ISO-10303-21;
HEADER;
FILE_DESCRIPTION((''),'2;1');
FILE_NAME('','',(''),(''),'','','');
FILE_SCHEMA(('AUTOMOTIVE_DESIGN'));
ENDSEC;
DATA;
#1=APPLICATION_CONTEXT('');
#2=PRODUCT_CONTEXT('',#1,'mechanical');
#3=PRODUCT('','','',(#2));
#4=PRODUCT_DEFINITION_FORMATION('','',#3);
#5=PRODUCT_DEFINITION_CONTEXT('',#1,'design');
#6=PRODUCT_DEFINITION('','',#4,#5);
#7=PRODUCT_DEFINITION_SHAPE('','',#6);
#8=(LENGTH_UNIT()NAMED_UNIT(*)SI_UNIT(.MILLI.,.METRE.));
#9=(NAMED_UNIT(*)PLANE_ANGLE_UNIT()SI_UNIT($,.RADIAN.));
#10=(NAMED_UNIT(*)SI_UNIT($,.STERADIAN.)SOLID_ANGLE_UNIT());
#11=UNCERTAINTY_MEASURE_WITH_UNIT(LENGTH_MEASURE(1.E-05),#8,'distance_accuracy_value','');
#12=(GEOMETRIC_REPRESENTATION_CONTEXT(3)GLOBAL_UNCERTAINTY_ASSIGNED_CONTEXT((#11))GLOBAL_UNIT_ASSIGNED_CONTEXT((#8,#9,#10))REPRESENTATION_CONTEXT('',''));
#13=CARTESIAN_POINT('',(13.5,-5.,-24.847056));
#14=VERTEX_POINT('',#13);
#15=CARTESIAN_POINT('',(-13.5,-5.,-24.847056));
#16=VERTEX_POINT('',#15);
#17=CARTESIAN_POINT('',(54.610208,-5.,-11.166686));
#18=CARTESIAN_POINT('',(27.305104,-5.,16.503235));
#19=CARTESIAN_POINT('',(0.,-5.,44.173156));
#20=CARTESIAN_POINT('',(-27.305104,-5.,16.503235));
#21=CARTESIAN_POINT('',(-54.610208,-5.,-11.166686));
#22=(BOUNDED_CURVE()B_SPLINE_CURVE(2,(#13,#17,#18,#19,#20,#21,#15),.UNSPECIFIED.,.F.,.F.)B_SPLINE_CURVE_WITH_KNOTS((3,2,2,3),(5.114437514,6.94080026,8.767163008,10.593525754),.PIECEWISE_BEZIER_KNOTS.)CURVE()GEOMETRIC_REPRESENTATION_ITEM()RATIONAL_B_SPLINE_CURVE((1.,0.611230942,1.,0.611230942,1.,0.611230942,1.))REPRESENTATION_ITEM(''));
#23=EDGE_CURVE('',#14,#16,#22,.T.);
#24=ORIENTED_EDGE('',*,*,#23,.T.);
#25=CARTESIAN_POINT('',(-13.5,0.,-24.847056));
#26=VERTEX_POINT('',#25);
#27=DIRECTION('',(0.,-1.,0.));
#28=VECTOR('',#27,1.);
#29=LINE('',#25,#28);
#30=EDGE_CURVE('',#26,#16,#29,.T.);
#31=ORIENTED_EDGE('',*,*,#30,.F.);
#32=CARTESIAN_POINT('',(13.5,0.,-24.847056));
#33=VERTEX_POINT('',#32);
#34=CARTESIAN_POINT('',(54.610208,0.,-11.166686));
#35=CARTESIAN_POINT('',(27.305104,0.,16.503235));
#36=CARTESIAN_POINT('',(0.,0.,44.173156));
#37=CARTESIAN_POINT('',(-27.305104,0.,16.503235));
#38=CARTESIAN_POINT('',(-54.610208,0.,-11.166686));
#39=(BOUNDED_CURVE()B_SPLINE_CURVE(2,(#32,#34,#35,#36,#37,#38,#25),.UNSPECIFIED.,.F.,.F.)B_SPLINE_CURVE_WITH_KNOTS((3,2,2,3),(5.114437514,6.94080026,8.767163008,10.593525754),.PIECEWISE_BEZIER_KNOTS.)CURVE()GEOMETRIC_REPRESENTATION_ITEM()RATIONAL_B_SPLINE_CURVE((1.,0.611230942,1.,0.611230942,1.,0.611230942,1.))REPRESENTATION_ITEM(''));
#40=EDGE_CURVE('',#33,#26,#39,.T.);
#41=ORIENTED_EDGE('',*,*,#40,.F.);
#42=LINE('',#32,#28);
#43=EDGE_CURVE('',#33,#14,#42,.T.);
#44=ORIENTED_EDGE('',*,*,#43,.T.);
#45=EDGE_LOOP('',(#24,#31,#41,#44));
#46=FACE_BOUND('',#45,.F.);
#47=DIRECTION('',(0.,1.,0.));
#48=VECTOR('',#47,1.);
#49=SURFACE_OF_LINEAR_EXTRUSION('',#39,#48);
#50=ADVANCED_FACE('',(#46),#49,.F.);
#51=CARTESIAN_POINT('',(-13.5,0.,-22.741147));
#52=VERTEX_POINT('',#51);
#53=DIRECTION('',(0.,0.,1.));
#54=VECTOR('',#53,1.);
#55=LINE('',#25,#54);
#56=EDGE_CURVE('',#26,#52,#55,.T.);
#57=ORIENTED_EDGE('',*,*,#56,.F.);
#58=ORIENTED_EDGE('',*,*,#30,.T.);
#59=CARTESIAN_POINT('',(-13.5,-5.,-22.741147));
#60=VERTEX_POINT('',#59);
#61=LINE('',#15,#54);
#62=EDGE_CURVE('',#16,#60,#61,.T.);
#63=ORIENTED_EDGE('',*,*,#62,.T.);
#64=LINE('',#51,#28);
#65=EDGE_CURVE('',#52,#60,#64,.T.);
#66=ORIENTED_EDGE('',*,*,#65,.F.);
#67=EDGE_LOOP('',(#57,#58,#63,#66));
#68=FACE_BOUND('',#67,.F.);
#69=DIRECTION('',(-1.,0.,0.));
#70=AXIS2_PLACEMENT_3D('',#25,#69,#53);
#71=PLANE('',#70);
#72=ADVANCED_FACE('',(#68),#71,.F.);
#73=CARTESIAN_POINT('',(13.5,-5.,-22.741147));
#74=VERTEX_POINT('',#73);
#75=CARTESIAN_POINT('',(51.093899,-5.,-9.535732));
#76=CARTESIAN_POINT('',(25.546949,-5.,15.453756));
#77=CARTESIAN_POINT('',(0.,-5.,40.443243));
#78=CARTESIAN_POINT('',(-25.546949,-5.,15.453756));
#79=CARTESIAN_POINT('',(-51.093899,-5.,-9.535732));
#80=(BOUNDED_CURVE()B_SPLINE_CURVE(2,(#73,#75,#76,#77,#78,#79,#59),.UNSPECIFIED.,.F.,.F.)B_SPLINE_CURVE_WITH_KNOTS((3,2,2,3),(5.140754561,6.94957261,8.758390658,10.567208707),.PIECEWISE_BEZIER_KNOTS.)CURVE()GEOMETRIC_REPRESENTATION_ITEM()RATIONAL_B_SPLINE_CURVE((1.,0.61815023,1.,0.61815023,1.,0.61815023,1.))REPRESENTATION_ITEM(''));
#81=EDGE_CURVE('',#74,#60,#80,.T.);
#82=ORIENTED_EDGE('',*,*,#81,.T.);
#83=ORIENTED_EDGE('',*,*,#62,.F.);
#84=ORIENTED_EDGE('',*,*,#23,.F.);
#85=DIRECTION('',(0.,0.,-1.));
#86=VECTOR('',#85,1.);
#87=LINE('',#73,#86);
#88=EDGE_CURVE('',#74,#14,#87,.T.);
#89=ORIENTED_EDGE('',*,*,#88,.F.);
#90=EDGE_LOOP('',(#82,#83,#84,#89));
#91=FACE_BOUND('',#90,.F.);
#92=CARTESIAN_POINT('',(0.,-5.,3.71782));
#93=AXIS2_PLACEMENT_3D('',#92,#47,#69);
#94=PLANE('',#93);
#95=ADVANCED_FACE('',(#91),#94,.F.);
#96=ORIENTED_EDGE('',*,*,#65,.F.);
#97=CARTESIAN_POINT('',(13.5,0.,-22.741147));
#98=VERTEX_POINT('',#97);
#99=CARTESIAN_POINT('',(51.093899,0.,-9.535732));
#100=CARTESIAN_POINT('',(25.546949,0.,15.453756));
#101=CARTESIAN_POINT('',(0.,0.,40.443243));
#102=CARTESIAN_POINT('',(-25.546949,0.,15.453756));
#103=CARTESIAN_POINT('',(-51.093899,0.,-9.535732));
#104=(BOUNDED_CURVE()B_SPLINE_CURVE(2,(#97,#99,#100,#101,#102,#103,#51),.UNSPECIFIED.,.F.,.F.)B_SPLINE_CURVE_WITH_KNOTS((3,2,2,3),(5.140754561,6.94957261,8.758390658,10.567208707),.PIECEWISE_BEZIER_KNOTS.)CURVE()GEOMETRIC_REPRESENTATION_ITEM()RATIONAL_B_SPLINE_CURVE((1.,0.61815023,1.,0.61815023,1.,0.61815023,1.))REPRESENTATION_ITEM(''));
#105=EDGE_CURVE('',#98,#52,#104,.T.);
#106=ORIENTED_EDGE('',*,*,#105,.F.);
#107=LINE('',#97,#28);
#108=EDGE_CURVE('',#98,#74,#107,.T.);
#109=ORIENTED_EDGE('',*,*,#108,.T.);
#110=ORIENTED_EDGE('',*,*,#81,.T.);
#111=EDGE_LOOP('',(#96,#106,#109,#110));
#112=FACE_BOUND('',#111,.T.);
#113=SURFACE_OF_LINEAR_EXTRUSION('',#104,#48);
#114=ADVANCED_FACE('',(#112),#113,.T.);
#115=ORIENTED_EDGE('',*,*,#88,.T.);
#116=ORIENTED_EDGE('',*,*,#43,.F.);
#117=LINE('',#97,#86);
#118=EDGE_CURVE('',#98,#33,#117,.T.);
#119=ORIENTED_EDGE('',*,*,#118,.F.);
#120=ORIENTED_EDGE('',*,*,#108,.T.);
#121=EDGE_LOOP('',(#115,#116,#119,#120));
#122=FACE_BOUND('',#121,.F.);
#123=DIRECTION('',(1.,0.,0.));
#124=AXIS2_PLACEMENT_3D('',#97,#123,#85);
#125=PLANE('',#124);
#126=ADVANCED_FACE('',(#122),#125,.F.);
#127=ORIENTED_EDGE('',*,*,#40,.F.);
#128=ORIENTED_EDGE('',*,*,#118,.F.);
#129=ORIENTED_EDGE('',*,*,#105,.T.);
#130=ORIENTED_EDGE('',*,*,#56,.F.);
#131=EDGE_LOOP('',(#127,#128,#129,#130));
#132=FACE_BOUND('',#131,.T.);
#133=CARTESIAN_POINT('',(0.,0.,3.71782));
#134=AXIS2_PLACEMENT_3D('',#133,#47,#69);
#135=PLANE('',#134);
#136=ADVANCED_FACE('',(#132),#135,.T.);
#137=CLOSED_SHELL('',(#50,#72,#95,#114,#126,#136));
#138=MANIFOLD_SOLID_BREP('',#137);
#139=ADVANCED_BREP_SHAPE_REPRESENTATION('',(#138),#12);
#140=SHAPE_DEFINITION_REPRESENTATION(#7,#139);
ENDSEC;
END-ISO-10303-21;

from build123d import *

# Parameters (mm, degrees)
F1_DEPTH = 5


with BuildPart() as f1:
    # F0 (on Front) → F1 (new body)
    with BuildSketch(Plane.XZ):
        with BuildLine():
            add(Edge.make_bspline(
                [(13.5, -22.7411469217), (51.093898727, -9.535731529), (25.5469493635, 15.4537557569), (0, 40.4432430428), (-25.5469493635, 15.4537557569), (-51.093898727, -9.535731529), (-13.5, -22.7411469217)],
                knots=[5.1407545614, 5.1407545614, 5.1407545614, 6.9495726098, 6.9495726098, 8.7583906582, 8.7583906582, 10.5672087066, 10.5672087066, 10.5672087066], degree=2, weights=[1, 0.6181502303, 1, 0.6181502303, 1, 0.6181502303, 1]))
            Line((13.5, -22.7411469217), (13.5, -24.8470557909))
            add(Edge.make_bspline(
                [(13.5, -24.8470557909), (54.6102083911, -11.1666855926), (27.3051041956, 16.5032354219), (0, 44.1731564365), (-27.3051041956, 16.5032354219), (-54.6102083911, -11.1666855926), (-13.5, -24.8470557909)],
                knots=[5.1144375135, 5.1144375135, 5.1144375135, 6.9408002605, 6.9408002605, 8.7671630075, 8.7671630075, 10.5935257545, 10.5935257545, 10.5935257545], degree=2, weights=[1, 0.6112309416, 1, 0.6112309416, 1, 0.6112309416, 1]))
            Line((-13.5, -24.8470557909), (-13.5, -22.7411469217))
        make_face()
    extrude(amount=F1_DEPTH)


solid = f1.part
